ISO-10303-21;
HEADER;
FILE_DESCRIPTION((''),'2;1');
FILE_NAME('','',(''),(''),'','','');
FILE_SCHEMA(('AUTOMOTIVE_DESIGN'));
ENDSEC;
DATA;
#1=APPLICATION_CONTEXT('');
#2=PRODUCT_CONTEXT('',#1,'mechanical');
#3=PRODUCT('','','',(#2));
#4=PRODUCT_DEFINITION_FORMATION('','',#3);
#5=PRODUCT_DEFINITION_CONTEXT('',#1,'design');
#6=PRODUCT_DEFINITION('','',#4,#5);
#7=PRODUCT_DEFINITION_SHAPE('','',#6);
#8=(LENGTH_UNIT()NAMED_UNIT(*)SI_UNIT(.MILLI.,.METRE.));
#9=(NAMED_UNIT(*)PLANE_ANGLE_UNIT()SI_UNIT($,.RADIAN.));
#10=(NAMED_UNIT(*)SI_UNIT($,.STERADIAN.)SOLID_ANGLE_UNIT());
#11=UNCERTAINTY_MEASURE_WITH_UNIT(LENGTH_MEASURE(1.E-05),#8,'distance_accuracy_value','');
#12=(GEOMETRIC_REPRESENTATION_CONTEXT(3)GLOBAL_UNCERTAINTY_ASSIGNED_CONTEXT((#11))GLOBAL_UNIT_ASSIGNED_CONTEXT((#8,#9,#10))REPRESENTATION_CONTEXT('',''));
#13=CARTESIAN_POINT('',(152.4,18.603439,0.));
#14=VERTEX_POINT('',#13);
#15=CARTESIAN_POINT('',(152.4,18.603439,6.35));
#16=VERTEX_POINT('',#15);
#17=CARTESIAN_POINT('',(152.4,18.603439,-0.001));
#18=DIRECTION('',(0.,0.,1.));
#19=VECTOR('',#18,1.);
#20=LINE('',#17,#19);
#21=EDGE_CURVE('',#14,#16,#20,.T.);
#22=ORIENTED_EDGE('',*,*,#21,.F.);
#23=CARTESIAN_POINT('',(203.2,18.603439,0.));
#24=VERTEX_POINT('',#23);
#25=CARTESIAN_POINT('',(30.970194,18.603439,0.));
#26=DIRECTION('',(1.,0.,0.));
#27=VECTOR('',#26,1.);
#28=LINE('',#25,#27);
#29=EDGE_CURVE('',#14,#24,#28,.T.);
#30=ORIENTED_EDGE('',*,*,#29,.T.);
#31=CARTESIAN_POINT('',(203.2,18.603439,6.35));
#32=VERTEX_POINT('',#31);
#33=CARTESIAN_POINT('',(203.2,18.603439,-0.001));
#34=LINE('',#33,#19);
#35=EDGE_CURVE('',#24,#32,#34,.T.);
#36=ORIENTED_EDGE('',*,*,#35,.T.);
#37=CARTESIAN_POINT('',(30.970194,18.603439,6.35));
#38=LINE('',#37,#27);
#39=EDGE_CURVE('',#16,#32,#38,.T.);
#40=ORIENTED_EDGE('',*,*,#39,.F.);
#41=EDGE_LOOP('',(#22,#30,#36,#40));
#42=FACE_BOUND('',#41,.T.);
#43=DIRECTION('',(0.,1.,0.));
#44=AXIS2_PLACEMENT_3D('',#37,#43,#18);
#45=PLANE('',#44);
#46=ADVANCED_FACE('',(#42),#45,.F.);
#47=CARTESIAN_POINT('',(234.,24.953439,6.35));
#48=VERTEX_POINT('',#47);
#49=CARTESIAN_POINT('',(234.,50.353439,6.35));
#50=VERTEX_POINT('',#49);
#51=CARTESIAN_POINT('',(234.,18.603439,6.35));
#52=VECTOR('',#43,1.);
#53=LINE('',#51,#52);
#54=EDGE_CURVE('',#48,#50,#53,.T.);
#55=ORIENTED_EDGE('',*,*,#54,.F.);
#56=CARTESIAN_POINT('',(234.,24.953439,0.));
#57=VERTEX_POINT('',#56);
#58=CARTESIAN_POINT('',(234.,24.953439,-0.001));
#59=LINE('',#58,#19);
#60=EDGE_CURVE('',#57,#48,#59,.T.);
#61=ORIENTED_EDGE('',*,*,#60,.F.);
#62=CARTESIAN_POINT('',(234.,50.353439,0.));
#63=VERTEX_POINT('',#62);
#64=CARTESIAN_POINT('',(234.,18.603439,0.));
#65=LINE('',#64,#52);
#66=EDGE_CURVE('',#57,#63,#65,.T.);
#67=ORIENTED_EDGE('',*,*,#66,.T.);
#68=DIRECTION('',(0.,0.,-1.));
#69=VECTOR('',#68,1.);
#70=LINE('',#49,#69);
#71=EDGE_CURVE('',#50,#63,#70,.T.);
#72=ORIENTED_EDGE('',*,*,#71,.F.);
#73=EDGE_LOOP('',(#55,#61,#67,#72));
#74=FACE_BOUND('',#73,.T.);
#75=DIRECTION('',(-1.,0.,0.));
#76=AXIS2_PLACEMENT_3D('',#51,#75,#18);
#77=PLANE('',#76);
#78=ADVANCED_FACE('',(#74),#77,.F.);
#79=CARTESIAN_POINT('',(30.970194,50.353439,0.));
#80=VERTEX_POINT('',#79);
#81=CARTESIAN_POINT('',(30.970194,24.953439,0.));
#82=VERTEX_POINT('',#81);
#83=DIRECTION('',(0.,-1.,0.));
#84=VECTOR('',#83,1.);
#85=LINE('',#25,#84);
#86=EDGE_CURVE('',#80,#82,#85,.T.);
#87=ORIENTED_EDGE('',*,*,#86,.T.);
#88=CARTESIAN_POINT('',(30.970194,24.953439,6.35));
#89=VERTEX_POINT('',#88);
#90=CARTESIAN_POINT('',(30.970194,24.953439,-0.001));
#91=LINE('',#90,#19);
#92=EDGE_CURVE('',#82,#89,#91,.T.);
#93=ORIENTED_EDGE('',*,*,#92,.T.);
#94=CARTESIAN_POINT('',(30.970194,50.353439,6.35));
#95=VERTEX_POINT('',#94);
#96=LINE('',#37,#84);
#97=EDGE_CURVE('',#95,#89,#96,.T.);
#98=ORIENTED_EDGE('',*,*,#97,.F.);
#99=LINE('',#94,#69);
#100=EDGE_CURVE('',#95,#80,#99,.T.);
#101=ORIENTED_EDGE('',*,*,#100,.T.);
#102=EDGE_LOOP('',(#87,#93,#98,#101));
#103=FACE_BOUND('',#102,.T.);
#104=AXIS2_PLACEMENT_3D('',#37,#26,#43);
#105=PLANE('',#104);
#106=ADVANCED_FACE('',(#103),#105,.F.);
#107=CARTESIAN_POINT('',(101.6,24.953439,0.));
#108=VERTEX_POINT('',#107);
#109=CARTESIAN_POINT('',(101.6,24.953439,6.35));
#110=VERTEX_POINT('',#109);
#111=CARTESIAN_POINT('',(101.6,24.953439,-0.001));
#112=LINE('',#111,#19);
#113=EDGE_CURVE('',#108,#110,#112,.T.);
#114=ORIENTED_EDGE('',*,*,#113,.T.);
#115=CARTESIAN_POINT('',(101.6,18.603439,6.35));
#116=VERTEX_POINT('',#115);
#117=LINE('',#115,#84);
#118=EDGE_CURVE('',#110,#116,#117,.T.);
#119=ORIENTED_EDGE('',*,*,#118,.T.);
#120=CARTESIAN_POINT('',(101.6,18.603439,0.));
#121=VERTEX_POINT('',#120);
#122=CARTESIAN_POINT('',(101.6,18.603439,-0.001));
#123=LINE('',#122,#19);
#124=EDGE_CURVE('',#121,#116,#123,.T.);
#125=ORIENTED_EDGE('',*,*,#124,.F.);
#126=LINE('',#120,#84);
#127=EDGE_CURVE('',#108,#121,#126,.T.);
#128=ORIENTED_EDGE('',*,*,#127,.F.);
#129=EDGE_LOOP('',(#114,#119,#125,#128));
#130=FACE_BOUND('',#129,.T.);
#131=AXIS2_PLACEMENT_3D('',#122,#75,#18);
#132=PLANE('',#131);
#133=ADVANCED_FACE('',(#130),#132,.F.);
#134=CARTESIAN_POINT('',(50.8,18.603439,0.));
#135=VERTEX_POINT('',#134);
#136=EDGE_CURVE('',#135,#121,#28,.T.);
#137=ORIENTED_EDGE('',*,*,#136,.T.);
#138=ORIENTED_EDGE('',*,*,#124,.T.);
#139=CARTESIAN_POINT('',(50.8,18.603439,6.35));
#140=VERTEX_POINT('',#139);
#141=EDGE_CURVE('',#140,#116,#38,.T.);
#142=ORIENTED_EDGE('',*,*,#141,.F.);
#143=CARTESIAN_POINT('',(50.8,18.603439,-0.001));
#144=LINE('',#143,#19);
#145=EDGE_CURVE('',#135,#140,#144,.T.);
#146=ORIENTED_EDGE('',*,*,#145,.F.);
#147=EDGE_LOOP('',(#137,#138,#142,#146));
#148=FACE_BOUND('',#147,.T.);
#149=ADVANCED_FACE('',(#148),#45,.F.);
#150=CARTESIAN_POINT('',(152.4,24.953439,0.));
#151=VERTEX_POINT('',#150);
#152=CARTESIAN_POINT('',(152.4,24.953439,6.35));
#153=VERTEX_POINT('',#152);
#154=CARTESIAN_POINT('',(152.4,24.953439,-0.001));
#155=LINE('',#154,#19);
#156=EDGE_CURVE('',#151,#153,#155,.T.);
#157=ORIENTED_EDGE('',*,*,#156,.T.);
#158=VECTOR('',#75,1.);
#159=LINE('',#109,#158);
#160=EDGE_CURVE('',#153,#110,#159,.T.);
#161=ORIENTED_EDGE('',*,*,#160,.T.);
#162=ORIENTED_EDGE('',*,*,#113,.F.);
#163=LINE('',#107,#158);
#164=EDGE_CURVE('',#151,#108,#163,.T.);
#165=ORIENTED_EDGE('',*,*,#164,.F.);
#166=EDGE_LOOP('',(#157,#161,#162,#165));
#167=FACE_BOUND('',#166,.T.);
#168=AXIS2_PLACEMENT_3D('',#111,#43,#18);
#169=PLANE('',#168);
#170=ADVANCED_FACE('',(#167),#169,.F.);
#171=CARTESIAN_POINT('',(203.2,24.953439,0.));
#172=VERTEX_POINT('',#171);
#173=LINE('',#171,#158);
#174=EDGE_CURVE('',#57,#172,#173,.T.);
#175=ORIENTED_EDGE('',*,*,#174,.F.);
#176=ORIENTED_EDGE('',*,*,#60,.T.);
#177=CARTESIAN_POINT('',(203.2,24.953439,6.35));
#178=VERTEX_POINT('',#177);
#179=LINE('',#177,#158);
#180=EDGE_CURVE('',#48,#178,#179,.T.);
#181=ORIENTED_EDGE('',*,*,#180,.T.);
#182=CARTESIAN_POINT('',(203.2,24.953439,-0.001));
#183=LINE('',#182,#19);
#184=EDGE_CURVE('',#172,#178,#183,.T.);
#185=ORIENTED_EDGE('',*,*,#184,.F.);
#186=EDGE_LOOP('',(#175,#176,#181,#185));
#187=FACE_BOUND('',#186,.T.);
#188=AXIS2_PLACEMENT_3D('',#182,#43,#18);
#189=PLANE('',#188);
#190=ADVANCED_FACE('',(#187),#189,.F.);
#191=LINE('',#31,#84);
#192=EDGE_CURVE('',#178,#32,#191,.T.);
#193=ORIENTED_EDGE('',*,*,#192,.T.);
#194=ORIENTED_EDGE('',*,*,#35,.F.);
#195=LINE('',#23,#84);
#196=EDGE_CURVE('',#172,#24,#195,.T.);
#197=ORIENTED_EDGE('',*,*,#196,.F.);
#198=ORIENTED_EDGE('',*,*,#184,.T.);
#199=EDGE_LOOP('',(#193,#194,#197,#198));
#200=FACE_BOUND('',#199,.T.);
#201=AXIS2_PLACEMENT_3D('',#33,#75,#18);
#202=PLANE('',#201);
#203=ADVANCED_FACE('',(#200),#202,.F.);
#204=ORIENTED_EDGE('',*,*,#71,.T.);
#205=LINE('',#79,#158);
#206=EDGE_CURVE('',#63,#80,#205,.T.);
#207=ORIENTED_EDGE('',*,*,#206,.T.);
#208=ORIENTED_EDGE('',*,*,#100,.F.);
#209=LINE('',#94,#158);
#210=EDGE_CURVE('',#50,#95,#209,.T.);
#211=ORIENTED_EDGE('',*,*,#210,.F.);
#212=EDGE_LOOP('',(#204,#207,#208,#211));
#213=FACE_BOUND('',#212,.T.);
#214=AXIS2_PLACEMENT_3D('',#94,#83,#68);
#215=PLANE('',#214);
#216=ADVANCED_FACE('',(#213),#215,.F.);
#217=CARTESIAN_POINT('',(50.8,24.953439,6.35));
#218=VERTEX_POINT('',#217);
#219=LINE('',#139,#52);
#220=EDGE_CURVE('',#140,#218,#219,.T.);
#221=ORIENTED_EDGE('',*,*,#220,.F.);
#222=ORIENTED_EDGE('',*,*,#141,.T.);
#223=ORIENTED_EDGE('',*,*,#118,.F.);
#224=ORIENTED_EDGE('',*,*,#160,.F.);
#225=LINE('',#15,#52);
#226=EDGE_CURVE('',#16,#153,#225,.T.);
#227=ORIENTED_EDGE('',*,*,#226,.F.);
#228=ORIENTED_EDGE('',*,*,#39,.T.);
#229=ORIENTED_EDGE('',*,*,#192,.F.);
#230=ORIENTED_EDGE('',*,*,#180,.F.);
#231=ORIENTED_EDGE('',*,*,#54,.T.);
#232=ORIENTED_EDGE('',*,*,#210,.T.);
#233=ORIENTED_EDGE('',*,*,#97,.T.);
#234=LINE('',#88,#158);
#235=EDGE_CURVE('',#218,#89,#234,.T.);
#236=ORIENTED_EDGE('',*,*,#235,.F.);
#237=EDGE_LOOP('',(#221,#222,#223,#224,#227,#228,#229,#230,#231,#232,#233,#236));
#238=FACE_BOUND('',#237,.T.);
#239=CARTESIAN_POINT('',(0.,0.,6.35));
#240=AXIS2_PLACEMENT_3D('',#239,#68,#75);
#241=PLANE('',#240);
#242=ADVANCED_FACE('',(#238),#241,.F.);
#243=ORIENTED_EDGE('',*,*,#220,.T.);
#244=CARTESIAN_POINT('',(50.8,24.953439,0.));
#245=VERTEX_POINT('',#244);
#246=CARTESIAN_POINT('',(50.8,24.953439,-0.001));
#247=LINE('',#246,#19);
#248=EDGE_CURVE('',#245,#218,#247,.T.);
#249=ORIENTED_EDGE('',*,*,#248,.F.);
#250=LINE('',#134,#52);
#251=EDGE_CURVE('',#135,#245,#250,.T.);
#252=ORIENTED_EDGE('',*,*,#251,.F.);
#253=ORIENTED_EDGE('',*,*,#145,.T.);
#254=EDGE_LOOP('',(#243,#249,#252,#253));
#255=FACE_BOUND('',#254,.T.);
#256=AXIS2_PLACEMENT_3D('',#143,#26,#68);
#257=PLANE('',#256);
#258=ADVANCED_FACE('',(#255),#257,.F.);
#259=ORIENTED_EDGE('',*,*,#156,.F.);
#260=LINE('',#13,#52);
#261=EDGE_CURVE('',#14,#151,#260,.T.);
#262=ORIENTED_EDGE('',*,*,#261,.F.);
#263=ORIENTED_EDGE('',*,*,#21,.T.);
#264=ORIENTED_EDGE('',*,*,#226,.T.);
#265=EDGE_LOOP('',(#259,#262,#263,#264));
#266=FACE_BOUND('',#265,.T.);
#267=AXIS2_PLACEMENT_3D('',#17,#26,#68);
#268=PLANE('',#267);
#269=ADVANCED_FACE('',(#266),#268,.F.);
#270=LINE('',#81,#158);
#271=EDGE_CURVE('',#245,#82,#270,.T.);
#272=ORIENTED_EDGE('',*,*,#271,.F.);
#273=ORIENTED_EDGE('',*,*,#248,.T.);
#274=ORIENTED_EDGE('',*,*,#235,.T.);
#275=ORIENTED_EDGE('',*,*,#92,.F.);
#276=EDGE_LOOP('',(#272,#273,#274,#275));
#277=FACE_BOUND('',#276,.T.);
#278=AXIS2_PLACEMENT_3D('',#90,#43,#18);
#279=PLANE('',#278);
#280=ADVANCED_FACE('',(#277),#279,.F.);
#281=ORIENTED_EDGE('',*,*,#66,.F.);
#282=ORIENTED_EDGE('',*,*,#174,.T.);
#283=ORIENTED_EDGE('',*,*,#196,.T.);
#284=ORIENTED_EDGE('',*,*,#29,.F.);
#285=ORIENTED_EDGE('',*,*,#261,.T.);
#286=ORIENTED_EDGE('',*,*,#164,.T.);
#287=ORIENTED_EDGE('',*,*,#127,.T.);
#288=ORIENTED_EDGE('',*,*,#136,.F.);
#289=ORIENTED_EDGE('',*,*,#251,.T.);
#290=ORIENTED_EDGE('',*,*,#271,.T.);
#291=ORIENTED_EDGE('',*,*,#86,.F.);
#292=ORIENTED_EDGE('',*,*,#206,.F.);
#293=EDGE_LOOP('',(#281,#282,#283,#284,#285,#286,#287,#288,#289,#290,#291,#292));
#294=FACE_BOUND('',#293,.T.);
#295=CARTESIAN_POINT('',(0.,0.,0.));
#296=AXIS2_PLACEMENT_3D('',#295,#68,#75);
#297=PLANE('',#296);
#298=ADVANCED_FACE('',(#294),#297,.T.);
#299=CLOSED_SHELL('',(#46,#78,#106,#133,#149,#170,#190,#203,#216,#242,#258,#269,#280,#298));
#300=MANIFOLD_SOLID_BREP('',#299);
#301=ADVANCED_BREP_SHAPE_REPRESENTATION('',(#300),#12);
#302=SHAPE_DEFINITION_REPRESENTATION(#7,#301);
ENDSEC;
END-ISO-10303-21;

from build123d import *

# Parameters (mm, degrees)
SKETCH1_W           = 203.029806175
SKETCH1_H           = 31.75
BOSS_EXTRUDE1_DEPTH = 6.35
CUT_EXTRUDE1_REACH  = 241.441
SKETCH2_W           = 19.829806175
SKETCH2_H           = 6.35
SKETCH2_W_2         = 50.8
SKETCH2_W_3         = 30.8


with BuildPart() as part:
    # Sketch1 → Boss-Extrude1 (new body)
    with BuildSketch(Plane.XY):
        with Locations((132.485096913, 34.478439237)):
            Rectangle(SKETCH1_W, SKETCH1_H)
    extrude(amount=BOSS_EXTRUDE1_DEPTH)

    # Sketch2 → Cut-Extrude1 (cut, up to next)
    with BuildSketch(Plane.XY.offset(6.35), mode=Mode.PRIVATE) as cut_extrude1_sk1:
        with Locations((40.885096913, 21.778439237)):
            Rectangle(SKETCH2_W, SKETCH2_H)
    cut_extrude1_tool1 = extrude(cut_extrude1_sk1.sketch, amount=-CUT_EXTRUDE1_REACH, mode=Mode.PRIVATE) & part.part
    # Sketch2 → Cut-Extrude1 (cut, up to next)
    with BuildSketch(Plane.XY.offset(6.35), mode=Mode.PRIVATE) as cut_extrude1_sk2:
        with Locations((127, 21.778439237)):
            Rectangle(SKETCH2_W_2, SKETCH2_H)
    cut_extrude1_tool2 = extrude(cut_extrude1_sk2.sketch, amount=-CUT_EXTRUDE1_REACH, mode=Mode.PRIVATE) & part.part
    # Sketch2 → Cut-Extrude1 (cut, up to next)
    with BuildSketch(Plane.XY.offset(6.35), mode=Mode.PRIVATE) as cut_extrude1_sk3:
        with Locations((218.6, 21.778439237)):
            Rectangle(SKETCH2_W_3, SKETCH2_H)
    cut_extrude1_tool3 = extrude(cut_extrude1_sk3.sketch, amount=-CUT_EXTRUDE1_REACH, mode=Mode.PRIVATE) & part.part
    add(cut_extrude1_tool1.solids().sort_by_distance((40.885097, 21.778439, 6.35))[0], mode=Mode.SUBTRACT)
    add(cut_extrude1_tool2.solids().sort_by_distance((127, 21.778439, 6.35))[0], mode=Mode.SUBTRACT)
    add(cut_extrude1_tool3.solids().sort_by_distance((218.6, 21.778439, 6.35))[0], mode=Mode.SUBTRACT)


solid = part.part
